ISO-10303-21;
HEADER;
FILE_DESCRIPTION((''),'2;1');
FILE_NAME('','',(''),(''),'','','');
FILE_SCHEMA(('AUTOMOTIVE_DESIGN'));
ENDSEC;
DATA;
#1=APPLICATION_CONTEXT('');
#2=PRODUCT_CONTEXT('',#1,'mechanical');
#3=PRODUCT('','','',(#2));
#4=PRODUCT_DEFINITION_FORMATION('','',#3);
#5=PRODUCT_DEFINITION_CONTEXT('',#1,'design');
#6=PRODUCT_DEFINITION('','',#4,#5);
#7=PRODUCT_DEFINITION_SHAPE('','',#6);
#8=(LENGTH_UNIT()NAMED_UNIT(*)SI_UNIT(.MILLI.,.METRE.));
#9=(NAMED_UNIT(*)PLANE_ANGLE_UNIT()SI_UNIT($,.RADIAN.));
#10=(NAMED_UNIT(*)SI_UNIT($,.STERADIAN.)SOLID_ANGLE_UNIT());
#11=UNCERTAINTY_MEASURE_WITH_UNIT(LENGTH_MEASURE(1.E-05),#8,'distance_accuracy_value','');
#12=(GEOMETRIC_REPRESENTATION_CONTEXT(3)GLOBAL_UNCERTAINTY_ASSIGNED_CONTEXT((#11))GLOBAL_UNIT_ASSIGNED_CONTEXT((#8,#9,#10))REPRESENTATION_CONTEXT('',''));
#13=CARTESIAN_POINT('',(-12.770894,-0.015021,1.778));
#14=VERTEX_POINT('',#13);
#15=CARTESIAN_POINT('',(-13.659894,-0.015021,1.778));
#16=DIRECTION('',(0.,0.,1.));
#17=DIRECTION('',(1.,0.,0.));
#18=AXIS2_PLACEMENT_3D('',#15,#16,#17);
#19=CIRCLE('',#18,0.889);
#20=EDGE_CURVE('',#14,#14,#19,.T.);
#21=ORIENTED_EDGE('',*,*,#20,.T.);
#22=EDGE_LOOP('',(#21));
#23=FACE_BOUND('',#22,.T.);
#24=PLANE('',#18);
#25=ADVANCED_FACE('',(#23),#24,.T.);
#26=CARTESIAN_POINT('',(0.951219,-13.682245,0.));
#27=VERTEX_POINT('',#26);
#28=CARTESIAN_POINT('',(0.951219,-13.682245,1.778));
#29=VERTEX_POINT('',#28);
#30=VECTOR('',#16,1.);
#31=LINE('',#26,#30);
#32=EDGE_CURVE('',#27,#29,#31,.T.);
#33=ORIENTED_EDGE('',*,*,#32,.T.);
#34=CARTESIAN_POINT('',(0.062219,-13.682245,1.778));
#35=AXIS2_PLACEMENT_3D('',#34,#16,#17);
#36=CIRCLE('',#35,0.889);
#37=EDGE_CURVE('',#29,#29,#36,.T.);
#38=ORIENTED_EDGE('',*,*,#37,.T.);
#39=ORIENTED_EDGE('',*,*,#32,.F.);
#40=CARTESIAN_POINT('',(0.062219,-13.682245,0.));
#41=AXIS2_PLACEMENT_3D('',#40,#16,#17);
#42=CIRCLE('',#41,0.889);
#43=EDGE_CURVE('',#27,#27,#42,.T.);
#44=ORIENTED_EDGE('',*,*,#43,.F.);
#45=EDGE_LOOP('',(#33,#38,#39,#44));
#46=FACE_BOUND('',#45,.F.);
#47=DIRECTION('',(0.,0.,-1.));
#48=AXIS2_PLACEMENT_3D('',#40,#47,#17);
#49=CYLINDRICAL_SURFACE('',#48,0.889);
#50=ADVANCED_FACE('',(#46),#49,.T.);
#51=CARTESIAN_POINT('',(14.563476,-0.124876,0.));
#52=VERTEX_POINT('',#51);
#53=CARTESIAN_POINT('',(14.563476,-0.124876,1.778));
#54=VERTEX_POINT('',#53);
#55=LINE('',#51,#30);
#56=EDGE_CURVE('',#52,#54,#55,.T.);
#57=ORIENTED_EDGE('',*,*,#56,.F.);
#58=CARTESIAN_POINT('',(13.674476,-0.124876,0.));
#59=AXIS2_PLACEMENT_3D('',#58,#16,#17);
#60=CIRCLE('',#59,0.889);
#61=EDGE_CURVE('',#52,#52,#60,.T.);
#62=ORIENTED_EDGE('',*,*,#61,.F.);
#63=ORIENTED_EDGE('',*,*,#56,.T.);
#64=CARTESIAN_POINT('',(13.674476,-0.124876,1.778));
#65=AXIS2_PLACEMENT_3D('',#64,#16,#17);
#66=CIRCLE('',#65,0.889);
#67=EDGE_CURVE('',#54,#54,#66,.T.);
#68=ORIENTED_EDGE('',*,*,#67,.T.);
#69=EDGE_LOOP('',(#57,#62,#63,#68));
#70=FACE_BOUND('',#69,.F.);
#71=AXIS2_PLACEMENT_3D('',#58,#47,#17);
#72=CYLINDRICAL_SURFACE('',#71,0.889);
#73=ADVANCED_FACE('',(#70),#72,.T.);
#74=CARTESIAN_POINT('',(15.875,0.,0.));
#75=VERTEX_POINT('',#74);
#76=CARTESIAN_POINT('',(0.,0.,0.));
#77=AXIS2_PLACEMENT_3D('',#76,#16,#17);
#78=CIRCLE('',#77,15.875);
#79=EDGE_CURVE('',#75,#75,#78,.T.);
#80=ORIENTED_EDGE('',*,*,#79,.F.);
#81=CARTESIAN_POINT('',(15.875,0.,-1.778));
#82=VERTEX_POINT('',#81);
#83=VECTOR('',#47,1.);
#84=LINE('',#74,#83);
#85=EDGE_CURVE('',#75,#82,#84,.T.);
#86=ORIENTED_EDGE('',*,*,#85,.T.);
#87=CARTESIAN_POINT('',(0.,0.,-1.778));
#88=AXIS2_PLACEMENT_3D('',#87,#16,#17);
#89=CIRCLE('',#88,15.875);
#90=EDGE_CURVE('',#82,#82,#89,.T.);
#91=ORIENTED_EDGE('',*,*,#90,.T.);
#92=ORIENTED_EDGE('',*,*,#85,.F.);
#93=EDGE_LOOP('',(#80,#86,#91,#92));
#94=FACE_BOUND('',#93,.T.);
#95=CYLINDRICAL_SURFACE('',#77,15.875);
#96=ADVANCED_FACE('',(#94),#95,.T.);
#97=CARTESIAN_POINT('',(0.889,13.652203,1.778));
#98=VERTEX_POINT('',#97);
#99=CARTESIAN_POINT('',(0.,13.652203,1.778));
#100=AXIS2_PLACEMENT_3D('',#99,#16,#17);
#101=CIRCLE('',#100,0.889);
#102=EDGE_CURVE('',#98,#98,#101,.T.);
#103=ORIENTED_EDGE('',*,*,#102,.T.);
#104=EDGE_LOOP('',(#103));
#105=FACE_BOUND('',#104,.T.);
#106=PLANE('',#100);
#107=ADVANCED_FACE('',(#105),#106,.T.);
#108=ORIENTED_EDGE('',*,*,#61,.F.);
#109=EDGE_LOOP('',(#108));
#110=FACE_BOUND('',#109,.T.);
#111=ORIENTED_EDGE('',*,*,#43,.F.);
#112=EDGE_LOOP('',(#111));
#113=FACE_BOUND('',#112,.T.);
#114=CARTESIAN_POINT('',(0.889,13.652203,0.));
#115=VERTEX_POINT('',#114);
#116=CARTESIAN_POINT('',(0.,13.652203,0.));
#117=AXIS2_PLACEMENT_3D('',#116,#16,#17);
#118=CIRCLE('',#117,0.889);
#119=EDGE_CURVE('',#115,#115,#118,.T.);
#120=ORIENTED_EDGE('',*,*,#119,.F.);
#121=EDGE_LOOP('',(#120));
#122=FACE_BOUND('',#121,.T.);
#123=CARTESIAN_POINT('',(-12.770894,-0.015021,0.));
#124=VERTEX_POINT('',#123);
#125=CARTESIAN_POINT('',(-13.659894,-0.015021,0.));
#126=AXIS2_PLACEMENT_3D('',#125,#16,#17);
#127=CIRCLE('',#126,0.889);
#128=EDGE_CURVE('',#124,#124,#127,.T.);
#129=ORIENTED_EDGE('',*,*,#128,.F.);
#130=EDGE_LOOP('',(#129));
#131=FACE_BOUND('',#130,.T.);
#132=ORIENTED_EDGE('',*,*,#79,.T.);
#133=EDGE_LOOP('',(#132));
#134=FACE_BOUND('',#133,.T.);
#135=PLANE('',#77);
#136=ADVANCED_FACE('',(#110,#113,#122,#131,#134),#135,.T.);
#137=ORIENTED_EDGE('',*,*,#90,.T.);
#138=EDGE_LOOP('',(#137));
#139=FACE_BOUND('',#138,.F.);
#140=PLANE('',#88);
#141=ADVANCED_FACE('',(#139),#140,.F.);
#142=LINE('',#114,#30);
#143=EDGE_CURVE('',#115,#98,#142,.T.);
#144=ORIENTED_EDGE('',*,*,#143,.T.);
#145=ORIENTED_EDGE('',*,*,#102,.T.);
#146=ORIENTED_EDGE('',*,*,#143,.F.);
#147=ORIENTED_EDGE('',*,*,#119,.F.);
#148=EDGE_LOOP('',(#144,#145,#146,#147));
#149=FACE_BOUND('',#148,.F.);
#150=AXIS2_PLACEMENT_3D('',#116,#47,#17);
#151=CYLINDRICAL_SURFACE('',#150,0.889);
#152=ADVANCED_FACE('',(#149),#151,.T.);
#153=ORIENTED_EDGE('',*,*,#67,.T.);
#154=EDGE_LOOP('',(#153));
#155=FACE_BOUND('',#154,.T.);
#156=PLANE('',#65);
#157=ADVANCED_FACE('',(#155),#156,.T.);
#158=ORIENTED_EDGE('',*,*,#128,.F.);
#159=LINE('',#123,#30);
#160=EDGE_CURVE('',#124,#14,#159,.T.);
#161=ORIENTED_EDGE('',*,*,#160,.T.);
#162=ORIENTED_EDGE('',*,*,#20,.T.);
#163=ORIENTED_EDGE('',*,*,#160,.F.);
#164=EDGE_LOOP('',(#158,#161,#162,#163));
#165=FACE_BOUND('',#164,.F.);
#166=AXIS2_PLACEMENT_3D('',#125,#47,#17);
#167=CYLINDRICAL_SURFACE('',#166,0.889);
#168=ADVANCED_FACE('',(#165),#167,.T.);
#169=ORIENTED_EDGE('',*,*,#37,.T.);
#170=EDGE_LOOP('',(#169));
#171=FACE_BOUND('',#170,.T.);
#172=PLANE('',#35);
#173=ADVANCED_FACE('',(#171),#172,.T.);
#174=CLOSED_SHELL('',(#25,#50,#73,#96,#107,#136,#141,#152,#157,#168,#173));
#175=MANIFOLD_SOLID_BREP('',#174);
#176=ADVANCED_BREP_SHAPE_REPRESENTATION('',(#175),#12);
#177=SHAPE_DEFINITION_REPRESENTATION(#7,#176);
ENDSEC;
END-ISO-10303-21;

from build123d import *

# Parameters (mm, degrees)
F0_R     = 15.875
F1_DEPTH = 1.778
F3_R     = 0.889
F4_DEPTH = 1.778


with BuildPart() as f1:
    # F0 (on Top) → F1 (new body)
    with BuildSketch(Plane.XY):
        Circle(F0_R)
    extrude(amount=-F1_DEPTH)

    # F3 (on face) → F4 (join)
    with BuildSketch(Plane.XY):
        with Locations((0, 13.652203)):
            Circle(F3_R)
        with Locations((-13.659894, -0.015021)):
            Circle(F3_R)
        with Locations((0.062219, -13.682245)):
            Circle(F3_R)
        with Locations((13.674476, -0.124876)):
            Circle(F3_R)
    extrude(amount=F4_DEPTH)


solid = f1.part
